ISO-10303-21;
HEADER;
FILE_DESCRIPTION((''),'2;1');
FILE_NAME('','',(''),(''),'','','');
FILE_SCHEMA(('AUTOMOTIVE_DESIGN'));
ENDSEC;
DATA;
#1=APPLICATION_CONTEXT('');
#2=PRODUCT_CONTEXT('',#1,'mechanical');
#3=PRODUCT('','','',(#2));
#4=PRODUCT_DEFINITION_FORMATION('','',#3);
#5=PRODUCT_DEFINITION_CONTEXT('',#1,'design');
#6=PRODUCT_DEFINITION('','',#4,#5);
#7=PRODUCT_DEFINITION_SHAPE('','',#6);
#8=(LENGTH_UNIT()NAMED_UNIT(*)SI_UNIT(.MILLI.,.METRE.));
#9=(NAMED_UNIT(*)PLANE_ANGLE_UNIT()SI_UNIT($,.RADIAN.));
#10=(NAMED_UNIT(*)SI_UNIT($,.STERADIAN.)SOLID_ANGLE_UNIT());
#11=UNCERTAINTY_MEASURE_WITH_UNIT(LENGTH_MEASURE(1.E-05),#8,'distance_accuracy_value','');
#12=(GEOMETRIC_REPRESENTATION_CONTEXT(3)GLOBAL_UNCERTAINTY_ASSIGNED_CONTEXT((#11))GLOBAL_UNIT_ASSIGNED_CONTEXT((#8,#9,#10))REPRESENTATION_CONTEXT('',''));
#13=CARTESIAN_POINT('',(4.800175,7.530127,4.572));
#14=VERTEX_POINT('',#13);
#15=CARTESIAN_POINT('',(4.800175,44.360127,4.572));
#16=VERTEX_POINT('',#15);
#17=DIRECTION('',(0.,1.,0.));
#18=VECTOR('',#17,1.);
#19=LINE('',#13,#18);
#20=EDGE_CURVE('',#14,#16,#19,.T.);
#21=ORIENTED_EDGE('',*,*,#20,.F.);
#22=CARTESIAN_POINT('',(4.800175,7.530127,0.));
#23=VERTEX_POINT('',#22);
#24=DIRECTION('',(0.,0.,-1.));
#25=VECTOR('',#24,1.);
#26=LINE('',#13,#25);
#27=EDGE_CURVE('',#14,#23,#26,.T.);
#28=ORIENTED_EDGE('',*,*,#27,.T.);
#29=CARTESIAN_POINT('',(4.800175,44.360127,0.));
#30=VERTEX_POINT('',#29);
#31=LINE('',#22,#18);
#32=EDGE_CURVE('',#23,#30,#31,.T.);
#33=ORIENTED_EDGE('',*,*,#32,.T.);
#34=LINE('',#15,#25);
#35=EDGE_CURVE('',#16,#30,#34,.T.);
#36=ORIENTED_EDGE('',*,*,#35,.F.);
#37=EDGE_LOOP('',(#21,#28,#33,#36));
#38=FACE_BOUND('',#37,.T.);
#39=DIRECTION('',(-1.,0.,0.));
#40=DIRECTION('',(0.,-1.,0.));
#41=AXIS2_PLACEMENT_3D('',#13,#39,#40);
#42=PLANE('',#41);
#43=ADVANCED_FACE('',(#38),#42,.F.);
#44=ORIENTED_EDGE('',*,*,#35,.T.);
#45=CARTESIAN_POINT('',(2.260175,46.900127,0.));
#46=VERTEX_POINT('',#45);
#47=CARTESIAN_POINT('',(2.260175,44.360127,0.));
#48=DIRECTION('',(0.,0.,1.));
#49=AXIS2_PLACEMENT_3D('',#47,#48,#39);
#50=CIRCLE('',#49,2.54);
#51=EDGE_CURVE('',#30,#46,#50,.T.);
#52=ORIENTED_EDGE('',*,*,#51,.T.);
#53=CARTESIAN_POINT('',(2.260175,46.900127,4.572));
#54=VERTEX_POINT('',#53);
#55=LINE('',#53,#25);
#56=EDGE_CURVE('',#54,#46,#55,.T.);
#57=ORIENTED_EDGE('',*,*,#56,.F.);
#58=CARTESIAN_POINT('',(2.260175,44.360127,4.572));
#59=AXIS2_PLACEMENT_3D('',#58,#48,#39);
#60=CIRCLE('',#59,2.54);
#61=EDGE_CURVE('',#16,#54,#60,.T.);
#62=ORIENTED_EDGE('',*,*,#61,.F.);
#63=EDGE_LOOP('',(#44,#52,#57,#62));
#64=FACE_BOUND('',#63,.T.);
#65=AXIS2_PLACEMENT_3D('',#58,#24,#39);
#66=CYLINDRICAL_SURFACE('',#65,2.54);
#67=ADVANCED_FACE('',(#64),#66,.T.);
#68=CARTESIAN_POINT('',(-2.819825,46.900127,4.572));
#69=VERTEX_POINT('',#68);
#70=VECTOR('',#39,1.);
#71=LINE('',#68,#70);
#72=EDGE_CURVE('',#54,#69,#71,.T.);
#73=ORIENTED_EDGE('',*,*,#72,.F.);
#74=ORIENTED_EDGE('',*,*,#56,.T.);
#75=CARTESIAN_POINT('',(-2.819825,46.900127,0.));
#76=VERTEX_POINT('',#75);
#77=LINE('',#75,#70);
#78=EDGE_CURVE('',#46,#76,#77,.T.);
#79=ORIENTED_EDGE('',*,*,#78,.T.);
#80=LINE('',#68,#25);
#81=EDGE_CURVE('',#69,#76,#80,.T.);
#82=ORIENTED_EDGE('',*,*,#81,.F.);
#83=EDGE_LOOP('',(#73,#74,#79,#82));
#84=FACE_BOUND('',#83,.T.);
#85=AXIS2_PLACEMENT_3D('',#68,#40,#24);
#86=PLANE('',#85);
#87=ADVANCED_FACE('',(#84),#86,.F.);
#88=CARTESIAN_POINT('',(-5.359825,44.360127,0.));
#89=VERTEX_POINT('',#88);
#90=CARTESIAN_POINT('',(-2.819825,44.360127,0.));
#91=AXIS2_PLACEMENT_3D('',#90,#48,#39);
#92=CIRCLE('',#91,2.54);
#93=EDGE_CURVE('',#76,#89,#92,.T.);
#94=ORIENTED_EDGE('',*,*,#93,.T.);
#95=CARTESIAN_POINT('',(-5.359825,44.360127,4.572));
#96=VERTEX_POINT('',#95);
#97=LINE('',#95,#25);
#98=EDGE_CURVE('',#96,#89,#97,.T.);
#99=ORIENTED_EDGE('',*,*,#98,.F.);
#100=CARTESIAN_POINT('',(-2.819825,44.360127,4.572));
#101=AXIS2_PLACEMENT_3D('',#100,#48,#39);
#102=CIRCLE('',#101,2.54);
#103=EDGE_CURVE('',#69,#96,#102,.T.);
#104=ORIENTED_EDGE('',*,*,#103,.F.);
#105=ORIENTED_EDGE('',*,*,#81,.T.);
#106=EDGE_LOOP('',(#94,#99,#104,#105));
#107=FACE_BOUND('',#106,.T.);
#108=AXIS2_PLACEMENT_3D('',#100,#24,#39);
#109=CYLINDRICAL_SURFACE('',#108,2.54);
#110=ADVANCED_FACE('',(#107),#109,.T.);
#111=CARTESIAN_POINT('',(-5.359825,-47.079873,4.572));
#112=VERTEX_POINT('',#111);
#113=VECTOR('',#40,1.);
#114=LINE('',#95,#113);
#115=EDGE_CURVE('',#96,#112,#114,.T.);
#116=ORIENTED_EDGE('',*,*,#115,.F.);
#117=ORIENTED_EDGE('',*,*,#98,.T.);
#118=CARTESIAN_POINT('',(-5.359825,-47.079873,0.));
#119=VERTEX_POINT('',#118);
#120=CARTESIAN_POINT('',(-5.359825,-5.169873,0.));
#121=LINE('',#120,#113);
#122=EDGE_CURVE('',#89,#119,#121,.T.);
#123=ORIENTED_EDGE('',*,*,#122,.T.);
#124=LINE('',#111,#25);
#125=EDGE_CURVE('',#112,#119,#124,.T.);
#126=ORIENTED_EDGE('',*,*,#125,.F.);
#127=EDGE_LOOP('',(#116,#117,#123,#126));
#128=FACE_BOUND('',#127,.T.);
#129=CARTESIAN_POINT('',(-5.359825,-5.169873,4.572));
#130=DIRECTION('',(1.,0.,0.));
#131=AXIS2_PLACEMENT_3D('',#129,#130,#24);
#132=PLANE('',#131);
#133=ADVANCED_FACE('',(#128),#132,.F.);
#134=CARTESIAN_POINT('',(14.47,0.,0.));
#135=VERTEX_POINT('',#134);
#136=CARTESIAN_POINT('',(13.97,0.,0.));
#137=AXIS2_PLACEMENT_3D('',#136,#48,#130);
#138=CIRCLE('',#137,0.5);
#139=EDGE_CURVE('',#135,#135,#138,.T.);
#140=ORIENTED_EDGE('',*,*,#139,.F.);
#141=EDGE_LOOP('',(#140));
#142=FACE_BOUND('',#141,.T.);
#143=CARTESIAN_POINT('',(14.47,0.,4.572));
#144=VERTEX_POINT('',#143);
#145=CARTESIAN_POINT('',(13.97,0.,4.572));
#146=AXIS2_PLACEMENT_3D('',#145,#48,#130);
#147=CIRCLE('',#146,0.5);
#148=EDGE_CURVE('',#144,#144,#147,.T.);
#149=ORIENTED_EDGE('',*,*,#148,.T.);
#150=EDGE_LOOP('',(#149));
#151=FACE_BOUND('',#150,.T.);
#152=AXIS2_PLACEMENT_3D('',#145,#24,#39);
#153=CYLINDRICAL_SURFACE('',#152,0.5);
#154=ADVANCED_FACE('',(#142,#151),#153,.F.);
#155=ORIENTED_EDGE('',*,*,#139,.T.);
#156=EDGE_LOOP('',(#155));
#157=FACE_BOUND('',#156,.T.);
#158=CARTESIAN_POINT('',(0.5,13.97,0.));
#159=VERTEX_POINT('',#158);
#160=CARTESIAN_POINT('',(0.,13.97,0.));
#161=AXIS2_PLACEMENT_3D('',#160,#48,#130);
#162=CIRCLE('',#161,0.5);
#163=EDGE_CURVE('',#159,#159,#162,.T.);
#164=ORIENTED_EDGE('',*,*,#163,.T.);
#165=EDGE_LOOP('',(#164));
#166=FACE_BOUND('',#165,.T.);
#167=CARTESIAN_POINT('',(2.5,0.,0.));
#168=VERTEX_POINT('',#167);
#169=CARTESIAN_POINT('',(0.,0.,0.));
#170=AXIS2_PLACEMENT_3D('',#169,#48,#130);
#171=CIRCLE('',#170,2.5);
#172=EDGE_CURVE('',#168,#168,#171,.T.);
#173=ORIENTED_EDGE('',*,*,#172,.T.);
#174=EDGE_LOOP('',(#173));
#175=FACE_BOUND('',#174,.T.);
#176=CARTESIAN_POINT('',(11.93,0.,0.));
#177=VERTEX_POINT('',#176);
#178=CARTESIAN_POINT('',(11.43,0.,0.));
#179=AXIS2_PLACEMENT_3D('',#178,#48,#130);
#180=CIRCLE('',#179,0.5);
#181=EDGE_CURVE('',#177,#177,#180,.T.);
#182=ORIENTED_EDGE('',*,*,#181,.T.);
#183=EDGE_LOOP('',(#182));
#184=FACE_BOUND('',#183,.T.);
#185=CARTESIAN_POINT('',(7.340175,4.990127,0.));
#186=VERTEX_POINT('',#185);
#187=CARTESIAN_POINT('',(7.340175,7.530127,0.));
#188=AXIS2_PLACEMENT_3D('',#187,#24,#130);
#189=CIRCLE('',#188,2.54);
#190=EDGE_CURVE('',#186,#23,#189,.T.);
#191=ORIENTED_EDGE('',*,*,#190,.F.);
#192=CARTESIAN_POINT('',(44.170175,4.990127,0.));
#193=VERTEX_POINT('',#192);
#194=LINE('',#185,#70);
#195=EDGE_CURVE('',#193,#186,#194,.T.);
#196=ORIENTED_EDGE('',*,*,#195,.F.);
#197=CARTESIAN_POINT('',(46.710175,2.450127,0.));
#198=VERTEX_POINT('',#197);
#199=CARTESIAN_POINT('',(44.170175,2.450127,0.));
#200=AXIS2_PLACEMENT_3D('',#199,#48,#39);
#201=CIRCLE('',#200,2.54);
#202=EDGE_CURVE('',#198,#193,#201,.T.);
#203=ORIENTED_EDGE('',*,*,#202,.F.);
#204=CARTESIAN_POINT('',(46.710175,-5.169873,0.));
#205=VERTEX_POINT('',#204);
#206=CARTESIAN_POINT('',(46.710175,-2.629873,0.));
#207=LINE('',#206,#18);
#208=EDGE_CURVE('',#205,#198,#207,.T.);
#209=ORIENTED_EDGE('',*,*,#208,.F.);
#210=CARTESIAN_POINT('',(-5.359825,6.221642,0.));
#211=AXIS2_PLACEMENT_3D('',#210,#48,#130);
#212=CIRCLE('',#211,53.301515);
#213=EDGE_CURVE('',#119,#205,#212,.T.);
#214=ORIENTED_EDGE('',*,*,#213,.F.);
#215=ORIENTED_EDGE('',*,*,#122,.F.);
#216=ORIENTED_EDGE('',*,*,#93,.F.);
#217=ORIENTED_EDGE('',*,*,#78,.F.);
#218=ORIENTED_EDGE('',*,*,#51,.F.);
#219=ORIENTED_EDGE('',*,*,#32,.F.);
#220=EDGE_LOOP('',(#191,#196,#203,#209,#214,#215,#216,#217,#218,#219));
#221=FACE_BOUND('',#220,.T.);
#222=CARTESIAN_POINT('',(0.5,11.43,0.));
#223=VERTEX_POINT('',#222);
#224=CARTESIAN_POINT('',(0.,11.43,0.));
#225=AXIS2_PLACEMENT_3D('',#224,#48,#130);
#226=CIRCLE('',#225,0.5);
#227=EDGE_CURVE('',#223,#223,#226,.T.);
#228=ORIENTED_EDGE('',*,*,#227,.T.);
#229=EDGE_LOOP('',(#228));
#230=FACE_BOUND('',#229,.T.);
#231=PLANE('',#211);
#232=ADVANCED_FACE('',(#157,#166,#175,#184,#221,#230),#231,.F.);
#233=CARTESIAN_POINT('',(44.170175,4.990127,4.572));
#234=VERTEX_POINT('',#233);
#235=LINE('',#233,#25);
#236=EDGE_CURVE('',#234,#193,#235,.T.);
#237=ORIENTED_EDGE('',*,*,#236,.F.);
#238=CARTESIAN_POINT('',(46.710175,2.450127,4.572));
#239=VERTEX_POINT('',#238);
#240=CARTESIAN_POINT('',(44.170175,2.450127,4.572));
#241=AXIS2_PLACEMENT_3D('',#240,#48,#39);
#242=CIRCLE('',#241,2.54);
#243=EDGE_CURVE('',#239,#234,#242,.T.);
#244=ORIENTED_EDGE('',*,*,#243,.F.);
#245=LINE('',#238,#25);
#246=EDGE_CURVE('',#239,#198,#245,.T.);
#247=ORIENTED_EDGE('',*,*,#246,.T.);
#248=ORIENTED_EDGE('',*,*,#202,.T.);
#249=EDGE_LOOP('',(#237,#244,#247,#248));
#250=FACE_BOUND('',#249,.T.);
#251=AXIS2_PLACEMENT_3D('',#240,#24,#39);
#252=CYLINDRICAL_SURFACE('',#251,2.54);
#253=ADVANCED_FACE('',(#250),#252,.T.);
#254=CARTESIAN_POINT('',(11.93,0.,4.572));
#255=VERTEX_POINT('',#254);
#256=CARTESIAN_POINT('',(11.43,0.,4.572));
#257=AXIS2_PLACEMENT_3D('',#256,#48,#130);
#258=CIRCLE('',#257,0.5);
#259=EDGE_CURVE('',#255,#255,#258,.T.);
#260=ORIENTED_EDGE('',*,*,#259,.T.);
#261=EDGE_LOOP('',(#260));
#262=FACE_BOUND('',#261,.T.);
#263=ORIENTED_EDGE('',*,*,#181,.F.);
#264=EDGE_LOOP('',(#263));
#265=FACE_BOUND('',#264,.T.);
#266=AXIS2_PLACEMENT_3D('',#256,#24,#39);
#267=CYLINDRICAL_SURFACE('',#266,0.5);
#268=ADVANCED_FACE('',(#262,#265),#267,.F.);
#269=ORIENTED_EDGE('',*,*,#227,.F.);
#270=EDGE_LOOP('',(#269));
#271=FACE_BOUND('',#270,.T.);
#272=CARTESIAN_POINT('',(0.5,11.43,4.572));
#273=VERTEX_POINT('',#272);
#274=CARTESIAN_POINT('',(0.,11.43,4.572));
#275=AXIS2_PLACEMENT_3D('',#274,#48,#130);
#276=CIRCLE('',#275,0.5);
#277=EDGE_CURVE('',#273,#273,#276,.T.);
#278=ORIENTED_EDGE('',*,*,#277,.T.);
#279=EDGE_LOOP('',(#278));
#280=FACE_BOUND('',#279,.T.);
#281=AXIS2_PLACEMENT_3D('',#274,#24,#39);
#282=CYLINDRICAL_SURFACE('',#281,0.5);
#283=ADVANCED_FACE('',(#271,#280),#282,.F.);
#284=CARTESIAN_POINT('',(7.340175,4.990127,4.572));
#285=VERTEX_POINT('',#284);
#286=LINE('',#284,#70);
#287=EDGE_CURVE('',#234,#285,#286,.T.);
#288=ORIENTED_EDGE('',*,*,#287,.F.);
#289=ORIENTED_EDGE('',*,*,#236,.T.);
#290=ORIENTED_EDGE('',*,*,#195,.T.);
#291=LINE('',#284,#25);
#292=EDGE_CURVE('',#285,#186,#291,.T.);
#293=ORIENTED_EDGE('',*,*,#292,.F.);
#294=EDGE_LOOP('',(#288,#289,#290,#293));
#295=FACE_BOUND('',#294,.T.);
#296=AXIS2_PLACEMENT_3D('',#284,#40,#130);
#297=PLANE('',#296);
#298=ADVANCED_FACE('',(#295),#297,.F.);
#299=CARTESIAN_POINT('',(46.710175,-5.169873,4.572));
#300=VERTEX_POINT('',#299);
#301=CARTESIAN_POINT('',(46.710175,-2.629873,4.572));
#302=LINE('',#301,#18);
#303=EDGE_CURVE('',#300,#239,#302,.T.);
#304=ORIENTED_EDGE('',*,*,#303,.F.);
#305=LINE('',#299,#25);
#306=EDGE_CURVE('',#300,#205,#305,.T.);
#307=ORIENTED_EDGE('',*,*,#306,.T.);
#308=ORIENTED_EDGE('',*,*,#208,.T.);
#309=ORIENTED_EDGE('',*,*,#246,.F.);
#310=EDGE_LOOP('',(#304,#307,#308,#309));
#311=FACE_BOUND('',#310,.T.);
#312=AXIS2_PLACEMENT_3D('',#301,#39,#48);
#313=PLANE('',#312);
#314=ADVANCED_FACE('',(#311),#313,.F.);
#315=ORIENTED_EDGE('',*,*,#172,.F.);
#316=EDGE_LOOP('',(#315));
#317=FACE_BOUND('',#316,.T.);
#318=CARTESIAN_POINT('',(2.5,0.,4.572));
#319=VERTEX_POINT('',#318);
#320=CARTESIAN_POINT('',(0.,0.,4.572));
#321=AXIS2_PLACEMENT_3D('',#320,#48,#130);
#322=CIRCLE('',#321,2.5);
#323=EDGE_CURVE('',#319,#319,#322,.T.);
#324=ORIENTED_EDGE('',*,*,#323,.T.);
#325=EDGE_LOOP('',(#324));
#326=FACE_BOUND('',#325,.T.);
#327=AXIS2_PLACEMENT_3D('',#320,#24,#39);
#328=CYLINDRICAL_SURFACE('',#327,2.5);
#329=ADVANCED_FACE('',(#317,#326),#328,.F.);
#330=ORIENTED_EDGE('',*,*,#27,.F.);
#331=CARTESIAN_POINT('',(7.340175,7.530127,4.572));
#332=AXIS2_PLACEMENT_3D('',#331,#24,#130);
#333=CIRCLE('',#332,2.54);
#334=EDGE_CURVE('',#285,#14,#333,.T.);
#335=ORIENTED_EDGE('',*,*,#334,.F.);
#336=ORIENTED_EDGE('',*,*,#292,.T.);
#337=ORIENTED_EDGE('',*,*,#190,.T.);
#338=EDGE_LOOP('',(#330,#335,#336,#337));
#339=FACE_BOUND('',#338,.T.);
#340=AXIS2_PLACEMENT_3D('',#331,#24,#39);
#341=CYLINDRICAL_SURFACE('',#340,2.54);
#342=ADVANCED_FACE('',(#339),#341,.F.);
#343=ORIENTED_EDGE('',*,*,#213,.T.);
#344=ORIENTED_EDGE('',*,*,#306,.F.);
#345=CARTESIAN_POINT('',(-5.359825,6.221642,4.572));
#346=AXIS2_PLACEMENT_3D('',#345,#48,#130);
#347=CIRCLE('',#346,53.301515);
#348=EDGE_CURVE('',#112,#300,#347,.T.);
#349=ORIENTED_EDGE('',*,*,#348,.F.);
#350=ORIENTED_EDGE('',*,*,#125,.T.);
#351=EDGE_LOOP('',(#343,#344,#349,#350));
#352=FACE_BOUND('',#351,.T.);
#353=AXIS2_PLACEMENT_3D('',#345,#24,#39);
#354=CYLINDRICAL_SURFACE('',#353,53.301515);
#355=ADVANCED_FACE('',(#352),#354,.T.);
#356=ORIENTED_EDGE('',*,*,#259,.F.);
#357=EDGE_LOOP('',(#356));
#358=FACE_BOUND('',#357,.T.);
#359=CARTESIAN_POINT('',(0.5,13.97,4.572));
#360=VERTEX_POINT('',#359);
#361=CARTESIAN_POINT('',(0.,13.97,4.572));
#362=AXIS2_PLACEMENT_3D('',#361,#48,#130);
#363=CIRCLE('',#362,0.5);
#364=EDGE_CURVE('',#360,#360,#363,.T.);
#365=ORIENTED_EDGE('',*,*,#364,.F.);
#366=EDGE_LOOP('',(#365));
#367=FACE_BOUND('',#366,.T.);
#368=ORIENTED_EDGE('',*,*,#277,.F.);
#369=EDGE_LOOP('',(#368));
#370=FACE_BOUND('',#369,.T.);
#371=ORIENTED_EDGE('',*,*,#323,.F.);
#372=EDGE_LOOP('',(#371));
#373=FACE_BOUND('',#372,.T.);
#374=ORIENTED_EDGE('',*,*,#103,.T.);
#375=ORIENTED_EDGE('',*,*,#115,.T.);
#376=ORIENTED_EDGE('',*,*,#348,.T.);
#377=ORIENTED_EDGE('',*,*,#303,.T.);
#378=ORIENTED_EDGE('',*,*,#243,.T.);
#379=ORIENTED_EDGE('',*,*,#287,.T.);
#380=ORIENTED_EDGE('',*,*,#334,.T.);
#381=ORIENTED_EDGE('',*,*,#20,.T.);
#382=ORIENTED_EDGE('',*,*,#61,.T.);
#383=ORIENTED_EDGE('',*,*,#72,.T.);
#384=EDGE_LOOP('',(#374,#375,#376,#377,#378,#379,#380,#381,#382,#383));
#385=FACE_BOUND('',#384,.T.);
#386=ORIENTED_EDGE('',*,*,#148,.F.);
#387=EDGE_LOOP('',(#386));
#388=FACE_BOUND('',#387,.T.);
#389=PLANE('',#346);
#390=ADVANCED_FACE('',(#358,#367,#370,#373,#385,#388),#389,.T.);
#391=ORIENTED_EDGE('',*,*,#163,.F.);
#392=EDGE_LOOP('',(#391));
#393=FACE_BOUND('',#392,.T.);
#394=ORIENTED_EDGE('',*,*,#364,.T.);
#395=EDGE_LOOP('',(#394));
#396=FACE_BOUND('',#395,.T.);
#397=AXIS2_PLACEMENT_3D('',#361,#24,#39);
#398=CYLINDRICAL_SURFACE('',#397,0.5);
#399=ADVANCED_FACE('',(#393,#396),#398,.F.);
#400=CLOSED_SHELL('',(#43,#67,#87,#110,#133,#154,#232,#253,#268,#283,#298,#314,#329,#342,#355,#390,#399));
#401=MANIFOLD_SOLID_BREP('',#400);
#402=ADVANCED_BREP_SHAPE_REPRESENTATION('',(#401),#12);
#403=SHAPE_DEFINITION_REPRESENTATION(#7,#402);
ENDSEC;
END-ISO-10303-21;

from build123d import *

# Parameters (mm, degrees)
SKETCH1_R           = 2.5
SKETCH1_R_2         = 0.5
BOSS_EXTRUDE2_DEPTH = 4.572


with BuildPart() as part:
    # Sketch1 → Boss-Extrude2 (new body)
    with BuildSketch(Plane.XY):
        with BuildLine():
            Line((4.800174543, 7.530126516), (4.800174543, 44.360126516))
            ThreePointArc((4.800174543, 44.360126516), (4.056225767, 46.15617774), (2.260174543, 46.900126516))
            Line((2.260174543, 46.900126516), (-2.819825457, 46.900126516))
            ThreePointArc((-2.819825457, 46.900126516), (-4.615876681, 46.15617774), (-5.359825457, 44.360126516))
            Line((-5.359825457, 44.360126516), (-5.359825457, -5.169873484))
            Line((-5.359825457, -5.169873484), (-5.359825457, -47.079873484))
            ThreePointArc((-5.359825457, -47.079873484), (28.060725855, -35.300861478), (46.710174543, -5.169873484))
            Line((46.710174543, -5.169873484), (46.710174543, -2.629873484))
            Line((46.710174543, -2.629873484), (46.710174543, 2.450126516))
            ThreePointArc((46.710174543, 2.450126516), (45.966225767, 4.24617774), (44.170174543, 4.990126516))
            Line((44.170174543, 4.990126516), (7.340174543, 4.990126516))
            ThreePointArc((7.340174543, 4.990126516), (5.544123319, 5.734075291), (4.800174543, 7.530126516))
        make_face()
        Circle(SKETCH1_R, mode=Mode.SUBTRACT)
        with Locations((0, 11.43)):
            Circle(SKETCH1_R_2, mode=Mode.SUBTRACT)
        with Locations((11.43, 0)):
            Circle(SKETCH1_R_2, mode=Mode.SUBTRACT)
        with Locations((0, 13.97)):
            Circle(SKETCH1_R_2, mode=Mode.SUBTRACT)
        with Locations((13.97, 0)):
            Circle(SKETCH1_R_2, mode=Mode.SUBTRACT)
    extrude(amount=BOSS_EXTRUDE2_DEPTH)


solid = part.part
